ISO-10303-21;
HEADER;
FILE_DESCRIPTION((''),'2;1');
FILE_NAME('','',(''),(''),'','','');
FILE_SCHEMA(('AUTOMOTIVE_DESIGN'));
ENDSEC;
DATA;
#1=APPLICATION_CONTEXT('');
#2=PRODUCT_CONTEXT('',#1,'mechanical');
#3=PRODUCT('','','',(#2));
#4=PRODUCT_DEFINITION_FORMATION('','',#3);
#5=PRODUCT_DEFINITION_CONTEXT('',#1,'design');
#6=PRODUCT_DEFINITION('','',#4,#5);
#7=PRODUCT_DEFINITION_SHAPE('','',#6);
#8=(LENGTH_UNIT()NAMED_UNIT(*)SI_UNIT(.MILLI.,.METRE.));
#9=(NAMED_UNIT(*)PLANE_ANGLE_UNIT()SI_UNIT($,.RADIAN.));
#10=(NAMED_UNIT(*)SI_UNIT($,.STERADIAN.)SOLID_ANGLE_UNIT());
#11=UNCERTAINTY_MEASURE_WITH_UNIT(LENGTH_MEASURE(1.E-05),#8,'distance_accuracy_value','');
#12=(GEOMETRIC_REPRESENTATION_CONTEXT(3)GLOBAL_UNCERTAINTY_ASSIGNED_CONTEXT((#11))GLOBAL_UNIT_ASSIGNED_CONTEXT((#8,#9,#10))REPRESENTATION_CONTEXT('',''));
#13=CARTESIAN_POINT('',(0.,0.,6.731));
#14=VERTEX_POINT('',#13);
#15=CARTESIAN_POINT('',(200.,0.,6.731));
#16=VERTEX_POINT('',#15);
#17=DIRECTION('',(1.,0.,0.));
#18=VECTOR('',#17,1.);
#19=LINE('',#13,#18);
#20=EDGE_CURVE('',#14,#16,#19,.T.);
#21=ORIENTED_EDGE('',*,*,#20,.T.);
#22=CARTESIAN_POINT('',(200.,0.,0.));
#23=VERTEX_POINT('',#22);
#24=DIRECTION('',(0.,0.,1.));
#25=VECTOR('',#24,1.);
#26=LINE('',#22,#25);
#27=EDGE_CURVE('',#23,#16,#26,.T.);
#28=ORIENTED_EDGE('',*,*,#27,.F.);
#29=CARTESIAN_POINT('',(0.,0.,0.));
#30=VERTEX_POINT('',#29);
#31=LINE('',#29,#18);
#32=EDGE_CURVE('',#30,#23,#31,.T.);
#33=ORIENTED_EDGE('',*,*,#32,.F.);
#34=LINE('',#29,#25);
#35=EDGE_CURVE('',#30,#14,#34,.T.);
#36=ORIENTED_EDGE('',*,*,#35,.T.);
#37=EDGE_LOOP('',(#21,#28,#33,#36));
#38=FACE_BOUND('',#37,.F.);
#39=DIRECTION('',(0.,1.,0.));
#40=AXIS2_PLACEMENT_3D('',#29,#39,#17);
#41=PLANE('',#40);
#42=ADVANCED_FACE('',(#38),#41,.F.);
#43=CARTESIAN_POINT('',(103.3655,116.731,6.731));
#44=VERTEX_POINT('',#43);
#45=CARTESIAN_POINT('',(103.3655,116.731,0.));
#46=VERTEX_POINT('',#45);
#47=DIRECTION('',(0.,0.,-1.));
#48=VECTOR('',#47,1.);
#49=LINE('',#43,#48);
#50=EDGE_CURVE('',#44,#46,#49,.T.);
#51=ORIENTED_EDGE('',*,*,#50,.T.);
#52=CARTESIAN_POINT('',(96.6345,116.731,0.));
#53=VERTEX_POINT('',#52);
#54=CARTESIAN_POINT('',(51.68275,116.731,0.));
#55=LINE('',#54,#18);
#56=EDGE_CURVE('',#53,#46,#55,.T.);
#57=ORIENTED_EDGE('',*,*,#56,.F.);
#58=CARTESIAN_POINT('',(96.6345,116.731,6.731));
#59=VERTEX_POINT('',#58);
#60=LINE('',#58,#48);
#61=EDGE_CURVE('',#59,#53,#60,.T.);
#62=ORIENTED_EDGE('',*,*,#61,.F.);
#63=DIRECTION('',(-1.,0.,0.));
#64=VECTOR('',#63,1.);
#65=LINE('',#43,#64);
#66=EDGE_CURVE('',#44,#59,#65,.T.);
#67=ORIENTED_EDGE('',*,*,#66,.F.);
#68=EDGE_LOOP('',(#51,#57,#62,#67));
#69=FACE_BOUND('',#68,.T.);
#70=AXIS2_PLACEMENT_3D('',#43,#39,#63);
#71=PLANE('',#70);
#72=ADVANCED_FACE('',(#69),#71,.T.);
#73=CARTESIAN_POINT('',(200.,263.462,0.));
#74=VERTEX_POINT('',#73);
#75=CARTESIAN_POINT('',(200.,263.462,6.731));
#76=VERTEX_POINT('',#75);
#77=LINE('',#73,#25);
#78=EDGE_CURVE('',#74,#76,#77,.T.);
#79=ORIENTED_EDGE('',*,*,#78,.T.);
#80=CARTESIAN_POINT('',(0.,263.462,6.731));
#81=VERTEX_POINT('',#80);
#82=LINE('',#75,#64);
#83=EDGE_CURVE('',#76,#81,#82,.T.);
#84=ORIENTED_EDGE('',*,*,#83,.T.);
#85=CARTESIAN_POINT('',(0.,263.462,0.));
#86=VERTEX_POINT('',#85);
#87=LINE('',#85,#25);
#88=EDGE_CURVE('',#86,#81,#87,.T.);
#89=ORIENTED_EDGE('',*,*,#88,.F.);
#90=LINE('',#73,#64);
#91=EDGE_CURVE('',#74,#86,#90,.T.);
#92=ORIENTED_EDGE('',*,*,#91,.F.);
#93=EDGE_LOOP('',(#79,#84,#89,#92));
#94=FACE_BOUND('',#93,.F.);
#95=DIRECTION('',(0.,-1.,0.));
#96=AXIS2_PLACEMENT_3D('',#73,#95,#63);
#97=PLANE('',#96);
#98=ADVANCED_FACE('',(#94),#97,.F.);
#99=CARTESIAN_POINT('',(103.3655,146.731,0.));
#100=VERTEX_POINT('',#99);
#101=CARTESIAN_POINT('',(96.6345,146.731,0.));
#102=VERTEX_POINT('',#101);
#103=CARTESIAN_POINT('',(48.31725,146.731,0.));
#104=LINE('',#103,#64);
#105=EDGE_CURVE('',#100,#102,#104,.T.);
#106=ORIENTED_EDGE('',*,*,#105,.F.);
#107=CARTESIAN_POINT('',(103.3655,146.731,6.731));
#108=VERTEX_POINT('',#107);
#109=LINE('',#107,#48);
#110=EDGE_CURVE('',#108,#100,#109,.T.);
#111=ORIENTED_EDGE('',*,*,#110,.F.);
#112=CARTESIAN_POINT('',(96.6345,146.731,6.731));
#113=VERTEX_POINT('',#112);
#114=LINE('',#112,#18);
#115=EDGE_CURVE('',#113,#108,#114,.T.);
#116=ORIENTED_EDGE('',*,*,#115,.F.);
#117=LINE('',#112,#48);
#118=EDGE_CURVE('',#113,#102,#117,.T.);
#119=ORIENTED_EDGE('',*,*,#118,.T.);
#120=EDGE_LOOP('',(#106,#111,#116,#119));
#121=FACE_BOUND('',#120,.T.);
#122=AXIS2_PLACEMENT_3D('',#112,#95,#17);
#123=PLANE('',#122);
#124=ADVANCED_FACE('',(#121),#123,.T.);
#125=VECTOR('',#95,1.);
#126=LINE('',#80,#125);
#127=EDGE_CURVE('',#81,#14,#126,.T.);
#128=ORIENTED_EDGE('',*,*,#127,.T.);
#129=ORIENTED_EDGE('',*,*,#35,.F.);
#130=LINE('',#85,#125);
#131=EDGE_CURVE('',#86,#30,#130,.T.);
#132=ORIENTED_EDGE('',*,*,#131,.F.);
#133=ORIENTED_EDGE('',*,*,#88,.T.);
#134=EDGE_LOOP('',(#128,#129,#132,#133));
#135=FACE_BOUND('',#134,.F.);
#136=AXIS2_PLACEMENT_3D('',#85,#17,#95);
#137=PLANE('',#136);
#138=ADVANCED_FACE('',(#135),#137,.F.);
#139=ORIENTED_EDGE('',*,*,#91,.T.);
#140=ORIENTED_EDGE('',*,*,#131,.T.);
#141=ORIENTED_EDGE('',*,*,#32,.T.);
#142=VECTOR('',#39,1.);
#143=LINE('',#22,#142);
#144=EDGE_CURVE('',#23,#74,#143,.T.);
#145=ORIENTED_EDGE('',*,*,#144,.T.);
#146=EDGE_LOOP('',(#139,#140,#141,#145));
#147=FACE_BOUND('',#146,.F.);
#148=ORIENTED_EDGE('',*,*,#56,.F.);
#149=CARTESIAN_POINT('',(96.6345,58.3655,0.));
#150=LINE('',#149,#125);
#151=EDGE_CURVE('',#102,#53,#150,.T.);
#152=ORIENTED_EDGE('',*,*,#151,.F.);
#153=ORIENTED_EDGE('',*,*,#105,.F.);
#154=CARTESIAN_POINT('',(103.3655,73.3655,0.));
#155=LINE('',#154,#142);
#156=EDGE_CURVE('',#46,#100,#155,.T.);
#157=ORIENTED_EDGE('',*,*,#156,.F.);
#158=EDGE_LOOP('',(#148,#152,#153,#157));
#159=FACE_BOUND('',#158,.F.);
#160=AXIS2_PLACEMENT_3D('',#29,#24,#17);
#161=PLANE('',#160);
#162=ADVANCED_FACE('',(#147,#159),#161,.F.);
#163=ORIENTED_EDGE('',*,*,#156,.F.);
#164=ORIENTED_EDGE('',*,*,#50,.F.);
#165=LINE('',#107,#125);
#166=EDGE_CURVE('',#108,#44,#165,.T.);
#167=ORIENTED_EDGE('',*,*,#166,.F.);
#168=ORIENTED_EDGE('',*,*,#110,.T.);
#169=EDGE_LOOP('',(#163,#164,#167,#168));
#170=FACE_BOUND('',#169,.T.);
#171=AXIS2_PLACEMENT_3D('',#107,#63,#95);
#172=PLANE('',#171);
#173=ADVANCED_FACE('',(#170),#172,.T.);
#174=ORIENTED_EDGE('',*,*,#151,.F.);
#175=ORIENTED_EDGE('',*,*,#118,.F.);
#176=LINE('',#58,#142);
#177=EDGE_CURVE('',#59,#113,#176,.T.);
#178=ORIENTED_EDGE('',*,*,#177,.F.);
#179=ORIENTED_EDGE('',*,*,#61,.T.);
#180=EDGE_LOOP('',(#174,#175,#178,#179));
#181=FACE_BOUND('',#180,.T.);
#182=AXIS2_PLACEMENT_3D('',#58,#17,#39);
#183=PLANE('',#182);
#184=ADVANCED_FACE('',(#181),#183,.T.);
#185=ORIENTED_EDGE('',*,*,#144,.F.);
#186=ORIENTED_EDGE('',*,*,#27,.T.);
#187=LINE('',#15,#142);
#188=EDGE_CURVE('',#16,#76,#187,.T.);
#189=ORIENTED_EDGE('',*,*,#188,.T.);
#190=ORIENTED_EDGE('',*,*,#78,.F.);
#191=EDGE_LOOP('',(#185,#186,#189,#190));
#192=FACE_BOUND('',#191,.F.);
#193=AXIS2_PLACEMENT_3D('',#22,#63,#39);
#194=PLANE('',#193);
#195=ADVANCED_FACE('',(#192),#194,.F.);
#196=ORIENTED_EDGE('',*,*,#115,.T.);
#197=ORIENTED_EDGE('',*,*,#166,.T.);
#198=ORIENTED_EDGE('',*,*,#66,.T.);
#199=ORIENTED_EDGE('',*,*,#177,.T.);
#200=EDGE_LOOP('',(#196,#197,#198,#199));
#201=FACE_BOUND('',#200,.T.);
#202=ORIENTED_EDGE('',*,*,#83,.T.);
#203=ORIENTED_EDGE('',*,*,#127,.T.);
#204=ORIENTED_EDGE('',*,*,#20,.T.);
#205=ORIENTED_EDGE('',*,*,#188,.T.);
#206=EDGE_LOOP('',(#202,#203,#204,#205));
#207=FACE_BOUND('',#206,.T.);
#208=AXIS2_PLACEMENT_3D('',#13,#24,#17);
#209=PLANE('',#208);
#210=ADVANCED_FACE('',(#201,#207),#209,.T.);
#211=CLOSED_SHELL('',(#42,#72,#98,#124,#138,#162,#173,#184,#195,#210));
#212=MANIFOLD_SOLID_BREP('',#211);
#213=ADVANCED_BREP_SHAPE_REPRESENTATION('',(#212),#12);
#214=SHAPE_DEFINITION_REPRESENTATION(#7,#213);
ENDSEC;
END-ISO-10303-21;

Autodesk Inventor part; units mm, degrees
ref_plane "YZ Plane" through (0, 0, 0) normal (1, 0, 0) x (0, 1, 0)
ref_plane "XZ Plane" through (0, 0, 0) normal (0, 1, 0) x (-1, 0, 0)
ref_plane "XY Plane" through (0, 0, 0) normal (0, 0, 1) x (1, 0, 0)
sketch "Sketch1" plane through (0, 0, 0) normal (0, 0, 1) x (1, 0, 0)
  line L0 (0, 0) -> (200, 0)
  line L1 (200, 0) -> (200, 263.462)
  line L2 (200, 263.462) -> (0, 263.462)
  line L3 (0, 263.462) -> (0, 0)
  dimension "d0" = 200
  dimension "d1" = 263.462
extrude "Extrusion1" add sketch "Sketch1" along normal blind 6.731
sketch "Sketch2" plane through (0, 0, 6.731) normal (0, 0, 1) x (1, 0, 0)
  line L0 (200, 263.462) -> (0, 263.462) projected
  line L1 (0, 263.462) -> (0, 0) projected
  line L2 (96.6345, 146.731) -> (103.3655, 146.731)
  line L3 (103.3655, 146.731) -> (103.3655, 116.731)
  line L4 (103.3655, 116.731) -> (96.6345, 116.731)
  line L5 (96.6345, 116.731) -> (96.6345, 146.731)
  point P0 (100, 146.731)
  point P1 (100, 263.462)
  point P2 (96.6345, 131.731)
  point P3 (0, 131.731)
  dimension "d4" = 30
  dimension "d5" = 6.731
extrude "Extrusion2" cut sketch "Sketch2" against normal up to next
equation "\"d2\" = THICKB"
equation "\"THICKA\" = 3.175"
equation "\"THICKB\" = 6.731"
equation "\"THICKC\" = 12.7"
equation "\"THICKPLY\" = 5"
equation "\"MAGDIA\" = 9.5"
equation "\"BALLDIA\" = 12"
properties part number "Base"
